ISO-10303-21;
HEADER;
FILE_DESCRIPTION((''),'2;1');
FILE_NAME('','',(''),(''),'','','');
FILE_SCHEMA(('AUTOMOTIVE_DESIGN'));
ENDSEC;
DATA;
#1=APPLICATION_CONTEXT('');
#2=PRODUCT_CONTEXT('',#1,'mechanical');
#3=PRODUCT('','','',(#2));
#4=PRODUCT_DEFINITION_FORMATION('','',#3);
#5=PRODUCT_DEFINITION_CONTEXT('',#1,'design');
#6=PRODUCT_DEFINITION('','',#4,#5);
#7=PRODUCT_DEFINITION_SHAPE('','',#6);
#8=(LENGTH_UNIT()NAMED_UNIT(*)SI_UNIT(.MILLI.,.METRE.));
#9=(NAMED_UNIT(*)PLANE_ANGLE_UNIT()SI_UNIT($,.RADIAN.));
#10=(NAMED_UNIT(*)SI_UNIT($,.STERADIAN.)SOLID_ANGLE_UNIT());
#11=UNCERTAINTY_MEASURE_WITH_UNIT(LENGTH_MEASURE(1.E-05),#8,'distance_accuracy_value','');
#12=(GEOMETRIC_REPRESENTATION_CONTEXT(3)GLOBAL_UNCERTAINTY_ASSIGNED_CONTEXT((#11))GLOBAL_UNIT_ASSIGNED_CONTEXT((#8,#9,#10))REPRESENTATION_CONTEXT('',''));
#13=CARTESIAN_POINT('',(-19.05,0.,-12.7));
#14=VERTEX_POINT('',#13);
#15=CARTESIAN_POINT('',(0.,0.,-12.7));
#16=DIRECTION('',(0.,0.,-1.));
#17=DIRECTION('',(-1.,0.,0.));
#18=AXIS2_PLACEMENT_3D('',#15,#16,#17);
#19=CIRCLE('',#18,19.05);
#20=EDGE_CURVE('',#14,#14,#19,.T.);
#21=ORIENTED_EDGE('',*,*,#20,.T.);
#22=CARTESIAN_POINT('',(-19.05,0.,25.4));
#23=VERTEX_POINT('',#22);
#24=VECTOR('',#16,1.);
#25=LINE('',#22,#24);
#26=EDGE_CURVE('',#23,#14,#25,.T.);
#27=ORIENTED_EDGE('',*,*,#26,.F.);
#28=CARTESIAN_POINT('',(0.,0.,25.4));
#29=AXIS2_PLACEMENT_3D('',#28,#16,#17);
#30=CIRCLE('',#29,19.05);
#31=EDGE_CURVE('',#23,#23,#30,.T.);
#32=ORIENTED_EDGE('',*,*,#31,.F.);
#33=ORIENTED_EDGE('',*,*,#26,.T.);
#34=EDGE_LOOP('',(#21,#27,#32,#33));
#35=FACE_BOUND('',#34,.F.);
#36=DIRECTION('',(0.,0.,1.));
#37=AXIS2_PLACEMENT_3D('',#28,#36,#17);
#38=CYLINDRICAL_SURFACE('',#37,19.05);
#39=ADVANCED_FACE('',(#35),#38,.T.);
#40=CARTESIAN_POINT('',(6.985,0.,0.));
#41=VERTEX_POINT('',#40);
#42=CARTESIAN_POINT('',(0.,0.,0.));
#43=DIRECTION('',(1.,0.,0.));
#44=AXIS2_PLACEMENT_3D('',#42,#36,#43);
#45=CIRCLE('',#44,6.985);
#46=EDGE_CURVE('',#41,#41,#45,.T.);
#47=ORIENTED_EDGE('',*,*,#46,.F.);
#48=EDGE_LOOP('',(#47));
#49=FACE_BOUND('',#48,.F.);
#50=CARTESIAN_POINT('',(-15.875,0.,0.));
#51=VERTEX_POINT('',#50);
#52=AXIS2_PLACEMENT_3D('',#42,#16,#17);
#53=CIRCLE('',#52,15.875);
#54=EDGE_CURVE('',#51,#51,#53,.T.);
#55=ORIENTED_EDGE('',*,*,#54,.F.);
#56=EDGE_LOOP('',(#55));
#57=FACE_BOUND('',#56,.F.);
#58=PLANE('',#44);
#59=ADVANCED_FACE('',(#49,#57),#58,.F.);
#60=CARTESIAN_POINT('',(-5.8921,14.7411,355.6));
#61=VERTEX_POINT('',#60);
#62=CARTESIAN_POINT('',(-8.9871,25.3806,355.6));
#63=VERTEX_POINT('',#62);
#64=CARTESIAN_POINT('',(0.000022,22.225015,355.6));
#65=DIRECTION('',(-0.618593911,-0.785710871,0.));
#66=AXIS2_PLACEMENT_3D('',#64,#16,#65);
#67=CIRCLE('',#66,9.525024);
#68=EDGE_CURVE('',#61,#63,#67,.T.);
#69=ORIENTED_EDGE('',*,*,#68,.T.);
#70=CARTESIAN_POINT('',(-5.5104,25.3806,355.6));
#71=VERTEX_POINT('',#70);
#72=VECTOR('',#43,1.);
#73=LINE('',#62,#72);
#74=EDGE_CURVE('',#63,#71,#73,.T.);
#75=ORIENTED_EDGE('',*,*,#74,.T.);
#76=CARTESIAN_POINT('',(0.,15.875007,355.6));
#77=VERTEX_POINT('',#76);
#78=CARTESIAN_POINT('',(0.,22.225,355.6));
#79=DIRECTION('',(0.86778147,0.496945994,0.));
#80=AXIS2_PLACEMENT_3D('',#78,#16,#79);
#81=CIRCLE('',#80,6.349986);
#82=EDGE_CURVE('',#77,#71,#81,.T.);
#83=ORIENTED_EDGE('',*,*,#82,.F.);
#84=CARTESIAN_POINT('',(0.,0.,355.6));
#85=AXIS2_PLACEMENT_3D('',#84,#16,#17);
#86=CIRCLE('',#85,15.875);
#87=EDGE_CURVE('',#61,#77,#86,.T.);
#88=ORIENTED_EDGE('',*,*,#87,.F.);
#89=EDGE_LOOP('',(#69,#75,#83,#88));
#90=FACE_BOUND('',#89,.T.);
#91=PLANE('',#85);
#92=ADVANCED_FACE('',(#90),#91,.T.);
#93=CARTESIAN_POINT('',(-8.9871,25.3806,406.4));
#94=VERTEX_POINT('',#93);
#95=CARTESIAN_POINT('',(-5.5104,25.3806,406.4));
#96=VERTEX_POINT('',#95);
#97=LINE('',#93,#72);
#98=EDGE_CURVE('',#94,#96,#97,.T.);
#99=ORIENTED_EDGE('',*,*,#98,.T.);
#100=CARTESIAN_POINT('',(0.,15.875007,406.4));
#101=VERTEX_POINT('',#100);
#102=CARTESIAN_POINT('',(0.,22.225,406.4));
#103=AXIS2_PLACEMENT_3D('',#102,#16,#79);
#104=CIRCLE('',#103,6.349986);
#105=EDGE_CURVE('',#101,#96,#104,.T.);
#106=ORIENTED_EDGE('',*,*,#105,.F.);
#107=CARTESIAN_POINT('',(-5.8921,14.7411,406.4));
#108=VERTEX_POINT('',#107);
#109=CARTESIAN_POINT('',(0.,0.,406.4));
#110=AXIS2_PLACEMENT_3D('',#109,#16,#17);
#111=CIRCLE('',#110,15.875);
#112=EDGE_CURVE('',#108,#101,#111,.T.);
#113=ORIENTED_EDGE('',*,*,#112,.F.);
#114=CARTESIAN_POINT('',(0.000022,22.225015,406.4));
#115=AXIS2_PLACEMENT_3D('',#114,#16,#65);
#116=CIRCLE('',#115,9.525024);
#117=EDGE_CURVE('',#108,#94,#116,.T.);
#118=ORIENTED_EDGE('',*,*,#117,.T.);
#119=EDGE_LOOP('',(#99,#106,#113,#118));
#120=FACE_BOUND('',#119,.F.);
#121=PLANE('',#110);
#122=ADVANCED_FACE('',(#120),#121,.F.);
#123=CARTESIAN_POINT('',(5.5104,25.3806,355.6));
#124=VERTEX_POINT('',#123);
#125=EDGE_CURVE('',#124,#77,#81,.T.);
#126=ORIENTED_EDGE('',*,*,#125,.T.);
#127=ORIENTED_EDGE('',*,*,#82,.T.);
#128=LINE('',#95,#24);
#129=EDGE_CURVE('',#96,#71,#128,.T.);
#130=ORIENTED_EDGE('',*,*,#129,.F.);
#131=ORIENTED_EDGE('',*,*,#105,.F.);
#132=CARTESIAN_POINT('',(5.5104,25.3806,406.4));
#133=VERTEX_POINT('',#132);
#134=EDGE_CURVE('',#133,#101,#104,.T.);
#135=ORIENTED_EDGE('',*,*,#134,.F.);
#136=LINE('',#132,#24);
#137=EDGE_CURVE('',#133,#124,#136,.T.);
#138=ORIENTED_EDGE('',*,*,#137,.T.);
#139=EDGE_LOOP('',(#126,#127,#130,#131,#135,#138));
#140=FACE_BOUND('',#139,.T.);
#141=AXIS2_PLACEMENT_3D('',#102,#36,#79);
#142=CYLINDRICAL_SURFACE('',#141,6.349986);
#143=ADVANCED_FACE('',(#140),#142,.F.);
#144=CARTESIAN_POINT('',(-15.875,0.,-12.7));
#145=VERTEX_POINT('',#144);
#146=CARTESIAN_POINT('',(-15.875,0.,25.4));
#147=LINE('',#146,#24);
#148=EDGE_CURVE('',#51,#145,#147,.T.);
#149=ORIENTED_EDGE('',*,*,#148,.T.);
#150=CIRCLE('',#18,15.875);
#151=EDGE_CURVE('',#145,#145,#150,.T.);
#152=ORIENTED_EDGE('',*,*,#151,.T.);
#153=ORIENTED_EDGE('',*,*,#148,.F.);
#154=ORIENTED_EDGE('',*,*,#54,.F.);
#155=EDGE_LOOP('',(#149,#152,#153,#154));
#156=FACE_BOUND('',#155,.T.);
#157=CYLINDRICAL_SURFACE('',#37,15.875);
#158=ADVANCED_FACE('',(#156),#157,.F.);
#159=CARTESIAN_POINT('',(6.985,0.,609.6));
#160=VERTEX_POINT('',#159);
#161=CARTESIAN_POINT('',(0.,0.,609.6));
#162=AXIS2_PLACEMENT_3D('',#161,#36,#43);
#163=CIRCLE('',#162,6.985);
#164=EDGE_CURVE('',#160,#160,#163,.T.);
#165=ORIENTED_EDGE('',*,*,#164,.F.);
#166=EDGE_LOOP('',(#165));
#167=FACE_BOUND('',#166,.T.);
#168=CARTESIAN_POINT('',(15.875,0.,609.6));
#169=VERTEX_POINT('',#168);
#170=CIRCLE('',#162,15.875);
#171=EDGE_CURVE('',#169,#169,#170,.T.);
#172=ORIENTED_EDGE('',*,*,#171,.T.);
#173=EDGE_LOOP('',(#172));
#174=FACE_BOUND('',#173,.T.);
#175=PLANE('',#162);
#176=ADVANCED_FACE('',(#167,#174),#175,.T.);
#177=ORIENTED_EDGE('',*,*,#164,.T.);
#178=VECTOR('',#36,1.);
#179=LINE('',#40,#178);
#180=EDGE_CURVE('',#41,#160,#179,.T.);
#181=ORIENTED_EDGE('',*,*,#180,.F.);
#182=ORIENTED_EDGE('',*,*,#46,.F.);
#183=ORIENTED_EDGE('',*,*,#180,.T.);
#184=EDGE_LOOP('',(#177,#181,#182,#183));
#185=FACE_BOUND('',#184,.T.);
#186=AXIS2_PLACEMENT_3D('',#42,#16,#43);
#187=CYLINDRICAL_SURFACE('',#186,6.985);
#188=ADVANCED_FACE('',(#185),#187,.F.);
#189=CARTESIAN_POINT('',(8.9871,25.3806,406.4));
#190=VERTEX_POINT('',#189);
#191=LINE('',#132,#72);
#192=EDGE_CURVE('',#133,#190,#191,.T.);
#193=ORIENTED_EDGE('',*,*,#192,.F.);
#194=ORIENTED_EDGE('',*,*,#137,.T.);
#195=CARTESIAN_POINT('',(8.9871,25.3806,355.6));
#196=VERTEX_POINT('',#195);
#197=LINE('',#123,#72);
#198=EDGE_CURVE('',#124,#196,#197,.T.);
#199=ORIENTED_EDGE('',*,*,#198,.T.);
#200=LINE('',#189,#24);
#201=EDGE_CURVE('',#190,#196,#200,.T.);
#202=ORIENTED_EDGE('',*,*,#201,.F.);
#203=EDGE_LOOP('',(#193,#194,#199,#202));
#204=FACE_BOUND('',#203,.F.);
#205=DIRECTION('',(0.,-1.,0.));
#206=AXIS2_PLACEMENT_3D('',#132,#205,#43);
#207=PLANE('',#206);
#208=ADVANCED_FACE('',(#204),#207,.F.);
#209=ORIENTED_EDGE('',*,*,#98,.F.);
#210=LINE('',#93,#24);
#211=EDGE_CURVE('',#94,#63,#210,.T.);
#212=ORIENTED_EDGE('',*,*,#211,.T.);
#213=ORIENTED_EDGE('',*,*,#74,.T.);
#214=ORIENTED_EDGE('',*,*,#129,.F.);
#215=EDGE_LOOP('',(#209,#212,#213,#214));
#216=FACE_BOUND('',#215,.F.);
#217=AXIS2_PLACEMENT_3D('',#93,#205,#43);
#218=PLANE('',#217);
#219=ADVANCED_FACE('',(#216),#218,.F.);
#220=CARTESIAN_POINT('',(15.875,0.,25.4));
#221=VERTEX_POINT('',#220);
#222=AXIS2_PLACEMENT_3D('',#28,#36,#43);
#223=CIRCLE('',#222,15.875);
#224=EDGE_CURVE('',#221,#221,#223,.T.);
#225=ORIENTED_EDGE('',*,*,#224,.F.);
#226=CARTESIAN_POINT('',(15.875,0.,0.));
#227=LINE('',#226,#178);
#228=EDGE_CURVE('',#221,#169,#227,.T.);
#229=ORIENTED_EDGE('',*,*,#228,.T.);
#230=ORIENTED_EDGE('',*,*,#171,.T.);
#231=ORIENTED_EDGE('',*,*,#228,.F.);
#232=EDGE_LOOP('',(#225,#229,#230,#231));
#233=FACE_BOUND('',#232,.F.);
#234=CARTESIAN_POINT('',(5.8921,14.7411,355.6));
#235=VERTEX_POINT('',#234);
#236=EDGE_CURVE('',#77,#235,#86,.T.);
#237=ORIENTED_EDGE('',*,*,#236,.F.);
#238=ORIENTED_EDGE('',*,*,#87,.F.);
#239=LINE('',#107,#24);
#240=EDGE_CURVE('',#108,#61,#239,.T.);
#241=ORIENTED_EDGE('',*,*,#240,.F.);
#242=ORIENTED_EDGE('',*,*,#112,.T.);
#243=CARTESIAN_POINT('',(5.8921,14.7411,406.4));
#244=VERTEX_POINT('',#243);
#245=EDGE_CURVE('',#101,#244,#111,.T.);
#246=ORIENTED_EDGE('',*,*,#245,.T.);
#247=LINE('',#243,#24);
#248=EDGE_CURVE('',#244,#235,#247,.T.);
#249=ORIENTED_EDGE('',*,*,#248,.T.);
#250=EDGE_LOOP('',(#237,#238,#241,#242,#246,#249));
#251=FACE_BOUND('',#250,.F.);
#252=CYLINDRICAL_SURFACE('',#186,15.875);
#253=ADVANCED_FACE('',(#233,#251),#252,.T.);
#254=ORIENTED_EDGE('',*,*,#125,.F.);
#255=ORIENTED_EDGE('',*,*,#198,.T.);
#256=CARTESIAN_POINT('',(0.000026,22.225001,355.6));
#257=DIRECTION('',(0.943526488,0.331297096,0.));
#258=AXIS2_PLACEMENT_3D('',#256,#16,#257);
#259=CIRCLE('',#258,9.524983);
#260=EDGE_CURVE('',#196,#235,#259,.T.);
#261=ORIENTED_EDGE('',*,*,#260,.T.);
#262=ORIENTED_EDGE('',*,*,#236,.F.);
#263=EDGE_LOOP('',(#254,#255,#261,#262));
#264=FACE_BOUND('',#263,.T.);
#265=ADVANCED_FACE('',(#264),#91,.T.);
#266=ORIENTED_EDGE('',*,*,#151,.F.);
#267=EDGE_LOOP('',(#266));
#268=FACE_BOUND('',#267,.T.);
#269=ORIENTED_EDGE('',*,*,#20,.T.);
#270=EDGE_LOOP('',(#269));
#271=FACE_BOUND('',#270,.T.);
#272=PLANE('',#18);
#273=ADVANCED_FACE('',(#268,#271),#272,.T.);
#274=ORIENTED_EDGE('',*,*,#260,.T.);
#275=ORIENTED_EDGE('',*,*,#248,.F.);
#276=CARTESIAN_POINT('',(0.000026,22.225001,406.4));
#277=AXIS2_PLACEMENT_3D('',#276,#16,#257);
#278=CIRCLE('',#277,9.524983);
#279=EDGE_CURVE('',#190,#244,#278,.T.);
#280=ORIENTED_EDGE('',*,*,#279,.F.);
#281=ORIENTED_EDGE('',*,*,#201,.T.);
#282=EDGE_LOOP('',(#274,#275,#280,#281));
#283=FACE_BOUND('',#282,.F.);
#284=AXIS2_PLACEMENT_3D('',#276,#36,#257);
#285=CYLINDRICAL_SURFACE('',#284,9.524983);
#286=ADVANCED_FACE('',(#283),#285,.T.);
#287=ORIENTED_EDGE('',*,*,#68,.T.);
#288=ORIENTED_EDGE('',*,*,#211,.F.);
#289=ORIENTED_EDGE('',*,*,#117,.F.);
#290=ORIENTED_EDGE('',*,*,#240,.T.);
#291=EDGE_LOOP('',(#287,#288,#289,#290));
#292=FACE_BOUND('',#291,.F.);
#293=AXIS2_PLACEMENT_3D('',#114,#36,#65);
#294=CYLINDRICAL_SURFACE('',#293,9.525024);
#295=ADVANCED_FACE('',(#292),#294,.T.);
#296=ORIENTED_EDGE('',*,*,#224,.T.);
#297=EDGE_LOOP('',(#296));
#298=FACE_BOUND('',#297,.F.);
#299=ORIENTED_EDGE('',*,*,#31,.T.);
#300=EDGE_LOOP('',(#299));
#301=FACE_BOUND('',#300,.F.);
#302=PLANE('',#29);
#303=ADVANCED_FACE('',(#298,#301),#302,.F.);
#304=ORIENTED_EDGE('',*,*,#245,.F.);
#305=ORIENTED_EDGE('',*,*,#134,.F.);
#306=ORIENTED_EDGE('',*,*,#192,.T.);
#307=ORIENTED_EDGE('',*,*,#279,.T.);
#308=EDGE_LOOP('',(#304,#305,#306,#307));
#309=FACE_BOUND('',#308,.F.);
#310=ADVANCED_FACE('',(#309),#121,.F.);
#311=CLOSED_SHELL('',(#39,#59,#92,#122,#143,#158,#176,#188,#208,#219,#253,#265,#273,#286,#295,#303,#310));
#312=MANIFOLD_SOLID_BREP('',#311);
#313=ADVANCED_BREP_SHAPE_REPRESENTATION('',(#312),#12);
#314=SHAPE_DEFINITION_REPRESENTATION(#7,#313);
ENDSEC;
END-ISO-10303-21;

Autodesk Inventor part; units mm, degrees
ref_plane "YZ Plane" through (0, 0, 0) normal (1, 0, 0) x (0, 1, 0)
ref_plane "XZ Plane" through (0, 0, 0) normal (0, 1, 0) x (-1, 0, 0)
ref_plane "XY Plane" through (0, 0, 0) normal (0, 0, 1) x (1, 0, 0)
sketch "Sketch1" plane through (0, 0, 0) normal (0, 0, 1) x (1, 0, 0)
  circle A0 centre (0, 0) radius 6.985
  circle A1 centre (0, 0) radius 15.875
  dimension "d0" = 13.97
  dimension "d1" = 31.75
extrude "Extrusion1" add sketch "Sketch1" along normal blind 609.6
ref_plane "Work Plane1" through (0, 0, 25.4) normal (0, 0, -1) x (-1, 0, 0)
sketch "Sketch2" plane through (0, 0, 25.4) normal (0, 0, -1) x (-1, 0, 0)
  circle A0 centre (0, 0) radius 19.05
  circle A1 centre (0, 0) radius 15.875
  dimension "d5" = 38.1
extrude "Extrusion2" add sketch "Sketch2" along normal blind 38.1
ref_plane "Work Plane2" through (0, 0, 406.4) normal (0, 0, -1) x (-1, 0, 0)
sketch "Sketch4" plane through (0, 0, 406.4) normal (0, 0, -1) x (-1, 0, 0)
  circle A0 centre (0, 0) radius 15.875 projected
  arc A1 (-5.5104, 25.3806) -> (5.5104, 25.3806) centre (0, 22.225) ccw
  line L0 (8.9871, 25.3806) -> (5.5104, 25.3806)
  line L1 (-5.5104, 25.3806) -> (-8.9871, 25.3806)
  arc A2 (-8.9871, 25.3806) -> (-5.8921, 14.7411) centre (0, 22.225) ccw
  arc A3 (5.8921, 14.7411) -> (8.9871, 25.3806) centre (0, 22.225) ccw
  line L2 (5.8921, 14.7411) -> (-5.8921, 14.7411)
  point P0 (0, 15.875)
extrude "Extrusion3" add sketch "Sketch4" along normal blind 50.8 contours A0 A1 L0 A3 | A2 L1 A1 A0
ref_plane "Work Plane4" through (0, 0, 228.6) normal (0, 0, -1) x (-1, 0, 0)
sketch "Sketch6" plane through (0, 0, 228.6) normal (0, 0, -1) x (-1, 0, 0)
  circle A0 centre (0, 0) radius 15.875
  circle A1 centre (0, 0) radius 28.575
  circle A2 centre (0, 0) radius 22.225
  circle A3 centre (-22.225, 0) radius 6.35
  dimension "d23" = 44.45
  dimension "d22" = 57.15
  dimension "d24" = 12.7
properties part number "Blow Dart"
